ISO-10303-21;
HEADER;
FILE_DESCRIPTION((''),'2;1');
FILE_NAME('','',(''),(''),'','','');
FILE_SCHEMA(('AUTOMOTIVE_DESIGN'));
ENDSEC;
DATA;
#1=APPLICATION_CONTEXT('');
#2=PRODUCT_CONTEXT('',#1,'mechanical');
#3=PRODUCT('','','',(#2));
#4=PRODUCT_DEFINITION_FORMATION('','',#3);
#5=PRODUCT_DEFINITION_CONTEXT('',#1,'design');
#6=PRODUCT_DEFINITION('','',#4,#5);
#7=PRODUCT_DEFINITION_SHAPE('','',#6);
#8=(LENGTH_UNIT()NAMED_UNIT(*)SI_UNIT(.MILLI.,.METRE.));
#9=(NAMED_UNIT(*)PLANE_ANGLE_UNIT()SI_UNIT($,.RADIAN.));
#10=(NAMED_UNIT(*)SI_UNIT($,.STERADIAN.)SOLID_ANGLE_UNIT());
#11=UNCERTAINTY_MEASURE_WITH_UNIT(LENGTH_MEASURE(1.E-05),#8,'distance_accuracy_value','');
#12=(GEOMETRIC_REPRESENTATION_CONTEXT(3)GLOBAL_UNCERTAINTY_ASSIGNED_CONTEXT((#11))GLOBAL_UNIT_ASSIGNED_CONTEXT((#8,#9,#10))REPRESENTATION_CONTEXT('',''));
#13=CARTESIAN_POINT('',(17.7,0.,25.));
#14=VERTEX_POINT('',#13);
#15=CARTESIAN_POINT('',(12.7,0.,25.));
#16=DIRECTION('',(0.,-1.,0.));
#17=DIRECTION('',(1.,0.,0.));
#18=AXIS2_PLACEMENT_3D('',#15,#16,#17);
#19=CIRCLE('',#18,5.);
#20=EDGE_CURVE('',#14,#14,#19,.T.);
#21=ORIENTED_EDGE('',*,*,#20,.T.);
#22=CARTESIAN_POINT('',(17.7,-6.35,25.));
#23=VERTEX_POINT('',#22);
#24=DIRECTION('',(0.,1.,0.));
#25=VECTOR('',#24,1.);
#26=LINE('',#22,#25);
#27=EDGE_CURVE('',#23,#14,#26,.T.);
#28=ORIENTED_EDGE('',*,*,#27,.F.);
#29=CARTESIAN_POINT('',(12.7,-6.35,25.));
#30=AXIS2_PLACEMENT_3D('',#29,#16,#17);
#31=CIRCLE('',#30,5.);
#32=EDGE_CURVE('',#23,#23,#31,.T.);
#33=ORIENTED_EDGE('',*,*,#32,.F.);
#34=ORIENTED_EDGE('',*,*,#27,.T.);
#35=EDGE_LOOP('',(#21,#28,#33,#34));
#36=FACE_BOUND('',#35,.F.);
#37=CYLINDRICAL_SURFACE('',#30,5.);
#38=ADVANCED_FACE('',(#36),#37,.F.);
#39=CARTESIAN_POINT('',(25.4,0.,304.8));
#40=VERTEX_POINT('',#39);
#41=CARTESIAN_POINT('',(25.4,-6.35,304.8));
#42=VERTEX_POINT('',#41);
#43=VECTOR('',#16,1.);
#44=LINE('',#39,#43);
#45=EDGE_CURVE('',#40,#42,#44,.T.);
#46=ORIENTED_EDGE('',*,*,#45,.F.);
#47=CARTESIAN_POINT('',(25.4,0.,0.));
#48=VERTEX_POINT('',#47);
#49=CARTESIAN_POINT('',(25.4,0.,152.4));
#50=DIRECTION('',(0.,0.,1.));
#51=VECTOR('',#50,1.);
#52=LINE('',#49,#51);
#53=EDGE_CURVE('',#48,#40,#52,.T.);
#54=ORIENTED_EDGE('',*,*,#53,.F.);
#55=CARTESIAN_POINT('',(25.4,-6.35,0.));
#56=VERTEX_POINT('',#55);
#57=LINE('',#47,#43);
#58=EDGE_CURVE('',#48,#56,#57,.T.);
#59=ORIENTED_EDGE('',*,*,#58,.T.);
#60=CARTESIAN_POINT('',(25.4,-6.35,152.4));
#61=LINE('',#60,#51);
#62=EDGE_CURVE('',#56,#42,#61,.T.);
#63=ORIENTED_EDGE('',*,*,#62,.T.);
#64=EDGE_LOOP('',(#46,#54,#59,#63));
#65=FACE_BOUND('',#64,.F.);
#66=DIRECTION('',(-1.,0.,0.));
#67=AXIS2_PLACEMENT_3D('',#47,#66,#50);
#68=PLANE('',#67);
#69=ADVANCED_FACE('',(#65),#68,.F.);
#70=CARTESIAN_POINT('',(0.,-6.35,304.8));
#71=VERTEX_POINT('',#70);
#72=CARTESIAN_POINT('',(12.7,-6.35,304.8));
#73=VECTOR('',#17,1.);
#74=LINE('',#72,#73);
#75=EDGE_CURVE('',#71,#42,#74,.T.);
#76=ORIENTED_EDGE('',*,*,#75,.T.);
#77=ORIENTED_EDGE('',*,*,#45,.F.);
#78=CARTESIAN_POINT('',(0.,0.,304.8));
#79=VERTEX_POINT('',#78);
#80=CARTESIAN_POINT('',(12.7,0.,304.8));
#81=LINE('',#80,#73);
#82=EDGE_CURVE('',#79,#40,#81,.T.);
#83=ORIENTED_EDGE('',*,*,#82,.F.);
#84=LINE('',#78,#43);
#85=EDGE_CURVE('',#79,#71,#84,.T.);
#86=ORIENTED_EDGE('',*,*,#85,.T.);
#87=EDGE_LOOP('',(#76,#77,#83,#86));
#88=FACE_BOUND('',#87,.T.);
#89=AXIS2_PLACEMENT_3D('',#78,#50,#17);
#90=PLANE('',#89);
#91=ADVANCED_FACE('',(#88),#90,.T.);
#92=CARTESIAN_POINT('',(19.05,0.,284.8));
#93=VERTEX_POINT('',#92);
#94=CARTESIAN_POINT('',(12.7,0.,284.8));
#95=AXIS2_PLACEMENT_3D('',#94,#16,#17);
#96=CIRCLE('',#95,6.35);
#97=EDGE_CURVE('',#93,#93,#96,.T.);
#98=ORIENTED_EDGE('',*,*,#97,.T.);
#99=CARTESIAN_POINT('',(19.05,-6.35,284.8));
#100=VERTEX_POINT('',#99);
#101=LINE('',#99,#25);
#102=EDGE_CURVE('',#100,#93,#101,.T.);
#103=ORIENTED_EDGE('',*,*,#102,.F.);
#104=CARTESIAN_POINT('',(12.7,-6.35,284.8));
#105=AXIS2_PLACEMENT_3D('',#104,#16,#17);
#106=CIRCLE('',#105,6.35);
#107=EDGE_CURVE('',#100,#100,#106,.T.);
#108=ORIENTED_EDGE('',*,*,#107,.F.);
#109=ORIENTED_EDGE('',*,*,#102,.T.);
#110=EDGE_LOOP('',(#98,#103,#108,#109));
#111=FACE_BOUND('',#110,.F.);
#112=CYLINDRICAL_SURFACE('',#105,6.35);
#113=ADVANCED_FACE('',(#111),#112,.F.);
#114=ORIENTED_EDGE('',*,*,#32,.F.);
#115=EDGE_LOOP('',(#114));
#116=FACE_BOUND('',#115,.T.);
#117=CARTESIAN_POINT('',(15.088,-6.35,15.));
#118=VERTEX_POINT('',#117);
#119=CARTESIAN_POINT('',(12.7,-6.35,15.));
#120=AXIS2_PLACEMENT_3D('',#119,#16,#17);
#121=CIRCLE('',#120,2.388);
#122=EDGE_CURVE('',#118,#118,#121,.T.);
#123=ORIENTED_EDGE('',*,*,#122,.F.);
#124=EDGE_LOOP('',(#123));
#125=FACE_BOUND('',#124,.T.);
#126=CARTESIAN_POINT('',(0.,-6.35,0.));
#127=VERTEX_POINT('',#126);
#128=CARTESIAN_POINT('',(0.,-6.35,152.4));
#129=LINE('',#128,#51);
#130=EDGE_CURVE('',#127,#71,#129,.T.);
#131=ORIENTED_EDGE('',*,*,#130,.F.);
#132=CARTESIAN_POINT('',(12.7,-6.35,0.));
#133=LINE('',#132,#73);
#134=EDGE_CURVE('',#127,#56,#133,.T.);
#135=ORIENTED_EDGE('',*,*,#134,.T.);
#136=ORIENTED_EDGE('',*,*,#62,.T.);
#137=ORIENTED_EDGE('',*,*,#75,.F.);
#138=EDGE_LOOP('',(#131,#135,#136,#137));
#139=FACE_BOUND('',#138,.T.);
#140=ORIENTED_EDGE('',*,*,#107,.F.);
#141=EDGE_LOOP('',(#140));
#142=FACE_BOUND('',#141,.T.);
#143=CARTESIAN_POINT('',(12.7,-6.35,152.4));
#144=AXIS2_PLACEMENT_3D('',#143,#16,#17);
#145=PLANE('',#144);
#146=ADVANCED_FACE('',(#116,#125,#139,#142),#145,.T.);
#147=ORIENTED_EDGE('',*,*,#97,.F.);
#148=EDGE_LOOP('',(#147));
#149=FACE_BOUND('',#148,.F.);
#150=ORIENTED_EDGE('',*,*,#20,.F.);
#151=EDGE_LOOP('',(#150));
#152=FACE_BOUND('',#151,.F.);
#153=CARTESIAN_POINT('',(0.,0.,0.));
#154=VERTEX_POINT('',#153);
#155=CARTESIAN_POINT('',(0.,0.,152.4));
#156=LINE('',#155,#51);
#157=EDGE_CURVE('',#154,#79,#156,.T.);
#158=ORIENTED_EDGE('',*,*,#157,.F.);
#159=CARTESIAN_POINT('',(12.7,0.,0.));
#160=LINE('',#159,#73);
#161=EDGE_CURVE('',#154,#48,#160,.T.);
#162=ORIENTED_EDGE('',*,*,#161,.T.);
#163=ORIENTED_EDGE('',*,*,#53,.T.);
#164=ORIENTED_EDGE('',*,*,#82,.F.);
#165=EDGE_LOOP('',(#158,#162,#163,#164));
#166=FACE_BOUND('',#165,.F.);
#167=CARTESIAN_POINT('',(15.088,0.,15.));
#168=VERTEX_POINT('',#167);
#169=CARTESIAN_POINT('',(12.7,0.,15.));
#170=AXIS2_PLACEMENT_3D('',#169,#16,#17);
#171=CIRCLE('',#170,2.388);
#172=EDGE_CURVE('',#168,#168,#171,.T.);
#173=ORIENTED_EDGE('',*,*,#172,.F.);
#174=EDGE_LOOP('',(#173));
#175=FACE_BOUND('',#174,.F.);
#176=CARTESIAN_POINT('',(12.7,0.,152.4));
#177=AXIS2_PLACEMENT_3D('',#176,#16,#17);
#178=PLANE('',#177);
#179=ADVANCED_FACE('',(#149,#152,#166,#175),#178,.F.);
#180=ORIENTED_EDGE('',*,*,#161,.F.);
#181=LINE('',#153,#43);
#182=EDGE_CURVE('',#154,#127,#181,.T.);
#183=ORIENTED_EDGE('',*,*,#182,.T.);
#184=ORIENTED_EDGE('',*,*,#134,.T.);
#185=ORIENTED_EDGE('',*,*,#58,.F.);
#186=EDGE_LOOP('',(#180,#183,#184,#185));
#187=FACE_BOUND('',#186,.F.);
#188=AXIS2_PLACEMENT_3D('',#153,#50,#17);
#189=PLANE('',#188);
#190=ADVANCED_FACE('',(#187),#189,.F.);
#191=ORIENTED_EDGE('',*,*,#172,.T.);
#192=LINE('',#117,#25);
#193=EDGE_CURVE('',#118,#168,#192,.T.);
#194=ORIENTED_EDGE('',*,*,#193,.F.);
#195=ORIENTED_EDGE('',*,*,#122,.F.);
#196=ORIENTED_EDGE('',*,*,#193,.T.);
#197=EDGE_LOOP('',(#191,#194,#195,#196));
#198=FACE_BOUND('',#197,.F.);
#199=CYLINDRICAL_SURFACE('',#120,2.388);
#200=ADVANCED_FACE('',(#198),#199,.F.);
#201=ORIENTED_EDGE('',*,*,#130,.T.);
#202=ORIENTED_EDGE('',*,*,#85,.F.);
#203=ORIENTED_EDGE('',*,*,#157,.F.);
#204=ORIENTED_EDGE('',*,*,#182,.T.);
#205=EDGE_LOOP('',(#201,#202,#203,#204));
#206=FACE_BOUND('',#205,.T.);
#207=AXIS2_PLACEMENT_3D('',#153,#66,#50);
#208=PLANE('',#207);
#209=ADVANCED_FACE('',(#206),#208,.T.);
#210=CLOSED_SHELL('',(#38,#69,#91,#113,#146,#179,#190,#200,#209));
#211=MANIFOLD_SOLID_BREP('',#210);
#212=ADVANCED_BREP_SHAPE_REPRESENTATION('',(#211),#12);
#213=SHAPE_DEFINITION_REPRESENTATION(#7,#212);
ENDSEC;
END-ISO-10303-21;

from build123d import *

# Parameters (mm, degrees)
F0_W     = 25.4
F0_H     = 304.8
F1_DEPTH = 6.35
F2_R     = 2.388
F3_DEPTH = 6.351
F4_R     = 6.35
F5_DEPTH = 6.351
F6_R     = 5
F7_DEPTH = 6.351


with BuildPart() as f1:
    # F0 (on Front) → F1 (new body)
    with BuildSketch(Plane.XZ):
        with Locations((12.7, 152.4)):
            Rectangle(F0_W, F0_H)
    extrude(amount=F1_DEPTH)

    # F2 (on face) → F3 (cut, through all)
    with BuildSketch(Plane.XZ.offset(6.35)):
        with Locations((12.7, 15)):
            Circle(F2_R)
    extrude(amount=-F3_DEPTH, mode=Mode.SUBTRACT)

    # F4 (on face) → F5 (cut, through all)
    with BuildSketch(Plane.XZ.offset(6.35)):
        with Locations((12.7, 284.8)):
            Circle(F4_R)
    extrude(amount=-F5_DEPTH, mode=Mode.SUBTRACT)

    # F6 (on face) → F7 (cut, through all)
    with BuildSketch(Plane.XZ.offset(6.35)):
        with Locations((12.7, 25)):
            Circle(F6_R)
    extrude(amount=-F7_DEPTH, mode=Mode.SUBTRACT)


solid = f1.part
